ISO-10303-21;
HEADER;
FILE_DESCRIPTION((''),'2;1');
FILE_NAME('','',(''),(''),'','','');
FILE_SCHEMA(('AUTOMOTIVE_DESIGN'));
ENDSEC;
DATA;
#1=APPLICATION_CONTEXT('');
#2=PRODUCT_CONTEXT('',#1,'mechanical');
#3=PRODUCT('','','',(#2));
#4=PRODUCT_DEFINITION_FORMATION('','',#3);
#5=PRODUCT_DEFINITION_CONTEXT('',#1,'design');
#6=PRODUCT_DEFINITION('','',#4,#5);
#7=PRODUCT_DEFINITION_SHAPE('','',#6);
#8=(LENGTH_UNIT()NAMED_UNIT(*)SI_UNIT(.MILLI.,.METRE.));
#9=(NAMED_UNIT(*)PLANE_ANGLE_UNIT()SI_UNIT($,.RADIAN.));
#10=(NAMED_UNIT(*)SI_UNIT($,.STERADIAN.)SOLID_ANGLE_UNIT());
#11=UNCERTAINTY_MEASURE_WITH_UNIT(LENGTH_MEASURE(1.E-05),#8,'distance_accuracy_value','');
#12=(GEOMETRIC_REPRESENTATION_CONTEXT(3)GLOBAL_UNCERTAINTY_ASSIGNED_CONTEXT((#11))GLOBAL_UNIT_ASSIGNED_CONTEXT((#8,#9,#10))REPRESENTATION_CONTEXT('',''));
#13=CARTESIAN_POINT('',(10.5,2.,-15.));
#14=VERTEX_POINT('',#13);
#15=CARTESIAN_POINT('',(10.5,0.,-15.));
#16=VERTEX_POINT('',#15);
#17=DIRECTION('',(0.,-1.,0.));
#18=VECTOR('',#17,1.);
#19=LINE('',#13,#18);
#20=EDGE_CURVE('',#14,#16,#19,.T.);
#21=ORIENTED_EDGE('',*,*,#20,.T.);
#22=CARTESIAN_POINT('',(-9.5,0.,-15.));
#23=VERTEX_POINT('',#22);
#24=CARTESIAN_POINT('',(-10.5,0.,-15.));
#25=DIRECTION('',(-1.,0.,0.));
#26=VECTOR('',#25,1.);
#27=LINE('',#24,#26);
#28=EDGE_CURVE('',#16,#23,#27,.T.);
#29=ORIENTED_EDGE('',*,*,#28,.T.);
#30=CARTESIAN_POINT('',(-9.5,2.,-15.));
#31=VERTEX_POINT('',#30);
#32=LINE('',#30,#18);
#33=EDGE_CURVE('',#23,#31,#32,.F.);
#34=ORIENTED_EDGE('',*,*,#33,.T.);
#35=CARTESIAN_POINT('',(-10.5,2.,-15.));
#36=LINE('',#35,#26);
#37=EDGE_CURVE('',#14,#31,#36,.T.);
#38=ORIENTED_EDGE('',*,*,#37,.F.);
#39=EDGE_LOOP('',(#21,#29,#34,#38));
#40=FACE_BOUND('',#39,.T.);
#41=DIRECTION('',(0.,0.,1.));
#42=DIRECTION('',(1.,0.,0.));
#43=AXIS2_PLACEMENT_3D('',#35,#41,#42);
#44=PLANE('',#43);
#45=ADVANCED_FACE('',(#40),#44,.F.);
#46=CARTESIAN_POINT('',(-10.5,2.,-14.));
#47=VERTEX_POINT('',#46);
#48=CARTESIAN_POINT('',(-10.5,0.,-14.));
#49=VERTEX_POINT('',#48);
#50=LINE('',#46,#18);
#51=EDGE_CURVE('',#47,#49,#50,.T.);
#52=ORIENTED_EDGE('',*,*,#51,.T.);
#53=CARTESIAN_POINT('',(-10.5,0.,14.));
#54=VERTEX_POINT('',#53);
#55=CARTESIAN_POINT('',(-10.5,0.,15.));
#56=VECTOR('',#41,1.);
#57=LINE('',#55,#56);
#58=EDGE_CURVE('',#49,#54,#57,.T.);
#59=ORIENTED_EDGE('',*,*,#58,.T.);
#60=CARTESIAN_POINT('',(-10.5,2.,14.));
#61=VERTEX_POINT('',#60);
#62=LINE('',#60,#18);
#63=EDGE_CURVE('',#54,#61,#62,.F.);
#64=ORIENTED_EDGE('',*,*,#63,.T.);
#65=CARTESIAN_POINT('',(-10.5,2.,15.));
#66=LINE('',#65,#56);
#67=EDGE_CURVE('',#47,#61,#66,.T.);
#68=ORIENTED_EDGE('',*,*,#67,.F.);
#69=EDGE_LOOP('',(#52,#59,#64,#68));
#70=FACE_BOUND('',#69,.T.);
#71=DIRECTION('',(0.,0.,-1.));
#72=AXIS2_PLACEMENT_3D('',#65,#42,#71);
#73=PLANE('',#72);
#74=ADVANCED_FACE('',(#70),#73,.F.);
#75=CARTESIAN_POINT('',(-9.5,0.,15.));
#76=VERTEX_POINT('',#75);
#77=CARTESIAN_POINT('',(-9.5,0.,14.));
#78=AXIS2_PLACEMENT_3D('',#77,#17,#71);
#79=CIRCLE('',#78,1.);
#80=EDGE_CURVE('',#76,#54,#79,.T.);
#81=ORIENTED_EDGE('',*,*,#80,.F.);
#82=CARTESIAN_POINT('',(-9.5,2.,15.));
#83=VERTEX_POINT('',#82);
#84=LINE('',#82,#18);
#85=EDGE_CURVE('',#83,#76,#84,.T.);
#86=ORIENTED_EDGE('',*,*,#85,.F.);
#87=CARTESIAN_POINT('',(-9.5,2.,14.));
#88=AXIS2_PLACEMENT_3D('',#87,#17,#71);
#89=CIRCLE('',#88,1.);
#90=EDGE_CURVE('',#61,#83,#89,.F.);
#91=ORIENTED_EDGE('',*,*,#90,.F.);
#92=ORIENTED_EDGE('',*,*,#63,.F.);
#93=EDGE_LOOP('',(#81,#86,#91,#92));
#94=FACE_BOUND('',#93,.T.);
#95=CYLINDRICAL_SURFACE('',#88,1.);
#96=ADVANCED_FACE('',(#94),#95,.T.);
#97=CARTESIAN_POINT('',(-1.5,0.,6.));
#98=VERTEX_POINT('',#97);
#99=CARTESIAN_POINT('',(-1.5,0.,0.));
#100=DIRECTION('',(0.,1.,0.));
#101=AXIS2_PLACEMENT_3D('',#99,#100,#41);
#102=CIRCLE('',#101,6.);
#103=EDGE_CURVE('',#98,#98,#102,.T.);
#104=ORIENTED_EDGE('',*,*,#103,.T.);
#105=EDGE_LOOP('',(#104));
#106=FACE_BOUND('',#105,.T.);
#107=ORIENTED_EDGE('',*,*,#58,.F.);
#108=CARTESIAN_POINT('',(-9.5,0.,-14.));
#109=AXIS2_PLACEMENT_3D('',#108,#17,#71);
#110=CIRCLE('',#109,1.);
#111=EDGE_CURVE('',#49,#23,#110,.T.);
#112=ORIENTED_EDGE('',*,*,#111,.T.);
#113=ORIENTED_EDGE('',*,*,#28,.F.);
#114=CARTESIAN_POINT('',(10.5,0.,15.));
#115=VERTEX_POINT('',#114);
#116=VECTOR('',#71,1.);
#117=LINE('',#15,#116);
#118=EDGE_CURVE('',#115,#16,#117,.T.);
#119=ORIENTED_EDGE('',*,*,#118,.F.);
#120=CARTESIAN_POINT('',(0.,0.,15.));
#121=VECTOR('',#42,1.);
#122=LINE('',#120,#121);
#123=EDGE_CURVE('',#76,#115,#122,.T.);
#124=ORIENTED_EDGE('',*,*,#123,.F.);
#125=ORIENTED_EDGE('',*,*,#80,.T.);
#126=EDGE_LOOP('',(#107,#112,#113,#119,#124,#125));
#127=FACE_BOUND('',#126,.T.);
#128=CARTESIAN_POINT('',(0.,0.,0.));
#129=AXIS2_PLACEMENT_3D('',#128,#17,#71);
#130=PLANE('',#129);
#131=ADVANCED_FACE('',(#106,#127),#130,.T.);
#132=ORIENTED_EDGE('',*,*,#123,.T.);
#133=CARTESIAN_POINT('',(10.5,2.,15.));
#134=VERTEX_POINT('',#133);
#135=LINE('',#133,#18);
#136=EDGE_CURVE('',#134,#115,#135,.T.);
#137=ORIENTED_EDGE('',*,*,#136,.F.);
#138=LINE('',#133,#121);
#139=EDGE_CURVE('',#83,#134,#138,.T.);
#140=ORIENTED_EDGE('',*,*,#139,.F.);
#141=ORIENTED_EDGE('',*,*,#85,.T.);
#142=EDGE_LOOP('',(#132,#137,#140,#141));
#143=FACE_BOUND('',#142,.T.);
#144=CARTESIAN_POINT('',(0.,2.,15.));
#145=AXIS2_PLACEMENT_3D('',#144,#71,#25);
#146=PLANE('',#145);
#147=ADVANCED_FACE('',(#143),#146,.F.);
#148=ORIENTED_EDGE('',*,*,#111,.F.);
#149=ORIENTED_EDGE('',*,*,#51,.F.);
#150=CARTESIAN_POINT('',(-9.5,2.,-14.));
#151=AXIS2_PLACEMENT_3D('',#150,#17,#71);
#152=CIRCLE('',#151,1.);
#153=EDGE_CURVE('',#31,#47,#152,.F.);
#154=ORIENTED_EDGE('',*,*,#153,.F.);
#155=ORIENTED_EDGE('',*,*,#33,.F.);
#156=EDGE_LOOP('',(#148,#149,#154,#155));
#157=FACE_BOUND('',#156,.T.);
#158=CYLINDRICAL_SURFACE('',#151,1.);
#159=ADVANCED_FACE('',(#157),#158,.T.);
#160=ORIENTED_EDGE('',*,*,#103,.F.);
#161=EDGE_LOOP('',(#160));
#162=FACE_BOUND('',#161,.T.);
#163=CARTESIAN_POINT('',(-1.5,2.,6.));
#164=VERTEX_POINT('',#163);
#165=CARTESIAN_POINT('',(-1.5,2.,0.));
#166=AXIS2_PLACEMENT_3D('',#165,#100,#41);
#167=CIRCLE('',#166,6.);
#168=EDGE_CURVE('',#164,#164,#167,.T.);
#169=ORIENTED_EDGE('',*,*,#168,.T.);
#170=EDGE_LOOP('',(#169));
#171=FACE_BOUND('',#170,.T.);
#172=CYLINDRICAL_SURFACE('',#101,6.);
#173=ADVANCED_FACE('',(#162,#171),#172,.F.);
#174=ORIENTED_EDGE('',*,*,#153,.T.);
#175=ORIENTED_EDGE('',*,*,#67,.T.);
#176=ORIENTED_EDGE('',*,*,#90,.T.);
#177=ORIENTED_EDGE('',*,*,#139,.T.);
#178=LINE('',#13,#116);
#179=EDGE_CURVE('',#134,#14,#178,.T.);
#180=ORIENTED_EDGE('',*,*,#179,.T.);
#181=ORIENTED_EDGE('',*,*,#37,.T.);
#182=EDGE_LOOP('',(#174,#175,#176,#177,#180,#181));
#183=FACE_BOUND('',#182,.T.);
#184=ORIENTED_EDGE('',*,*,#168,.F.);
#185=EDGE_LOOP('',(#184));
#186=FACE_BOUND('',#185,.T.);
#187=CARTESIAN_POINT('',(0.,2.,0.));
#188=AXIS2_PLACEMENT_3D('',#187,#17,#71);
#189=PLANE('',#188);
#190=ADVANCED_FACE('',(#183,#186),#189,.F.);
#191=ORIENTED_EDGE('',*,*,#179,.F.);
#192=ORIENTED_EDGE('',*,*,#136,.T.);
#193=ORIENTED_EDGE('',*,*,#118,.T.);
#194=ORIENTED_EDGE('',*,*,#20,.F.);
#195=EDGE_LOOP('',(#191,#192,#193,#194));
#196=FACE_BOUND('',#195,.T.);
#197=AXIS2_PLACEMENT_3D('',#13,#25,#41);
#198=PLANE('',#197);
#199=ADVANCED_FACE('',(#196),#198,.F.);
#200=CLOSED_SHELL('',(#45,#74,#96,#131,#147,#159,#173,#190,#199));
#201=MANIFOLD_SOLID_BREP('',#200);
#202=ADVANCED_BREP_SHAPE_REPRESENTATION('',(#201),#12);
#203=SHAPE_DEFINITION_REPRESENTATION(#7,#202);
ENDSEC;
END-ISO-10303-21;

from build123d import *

# Parameters (mm, degrees)
BOSS_EXTRUDE1_DEPTH = 2
FILLET1_R           = 1
SKETCH2_R           = 6
CUT_EXTRUDE1_DEPTH  = 19.418740456


with BuildPart() as part:
    # Sketch1 → Boss-Extrude1 (new body)
    with BuildSketch(Plane(origin=(0, 0, 0), x_dir=(1, 0, 0), z_dir=(0, 1, 0))):
        Polygon((0, -15), (-10.5, -15), (-10.5, 15), (10.5, 15), (10.5, -15), align=None)
    extrude(amount=BOSS_EXTRUDE1_DEPTH)

    # Fillet1
    fillet1_edges = [part.edges().sort_by_distance(p)[0] for p in [
        (-10.5, 1, 15),
        (-10.5, 1, -15),
    ]]
    fillet(fillet1_edges, radius=FILLET1_R)

    # Sketch2 → Cut-Extrude1 (cut, through all)
    with BuildSketch(Plane(origin=(0, 2, 0), x_dir=(1, 0, 0), z_dir=(0, 1, 0))):
        with Locations(Location((-1.5, 0, 0), (0, 0, 270))):
            Circle(SKETCH2_R)
    extrude(amount=-CUT_EXTRUDE1_DEPTH, mode=Mode.SUBTRACT)


solid = part.part
